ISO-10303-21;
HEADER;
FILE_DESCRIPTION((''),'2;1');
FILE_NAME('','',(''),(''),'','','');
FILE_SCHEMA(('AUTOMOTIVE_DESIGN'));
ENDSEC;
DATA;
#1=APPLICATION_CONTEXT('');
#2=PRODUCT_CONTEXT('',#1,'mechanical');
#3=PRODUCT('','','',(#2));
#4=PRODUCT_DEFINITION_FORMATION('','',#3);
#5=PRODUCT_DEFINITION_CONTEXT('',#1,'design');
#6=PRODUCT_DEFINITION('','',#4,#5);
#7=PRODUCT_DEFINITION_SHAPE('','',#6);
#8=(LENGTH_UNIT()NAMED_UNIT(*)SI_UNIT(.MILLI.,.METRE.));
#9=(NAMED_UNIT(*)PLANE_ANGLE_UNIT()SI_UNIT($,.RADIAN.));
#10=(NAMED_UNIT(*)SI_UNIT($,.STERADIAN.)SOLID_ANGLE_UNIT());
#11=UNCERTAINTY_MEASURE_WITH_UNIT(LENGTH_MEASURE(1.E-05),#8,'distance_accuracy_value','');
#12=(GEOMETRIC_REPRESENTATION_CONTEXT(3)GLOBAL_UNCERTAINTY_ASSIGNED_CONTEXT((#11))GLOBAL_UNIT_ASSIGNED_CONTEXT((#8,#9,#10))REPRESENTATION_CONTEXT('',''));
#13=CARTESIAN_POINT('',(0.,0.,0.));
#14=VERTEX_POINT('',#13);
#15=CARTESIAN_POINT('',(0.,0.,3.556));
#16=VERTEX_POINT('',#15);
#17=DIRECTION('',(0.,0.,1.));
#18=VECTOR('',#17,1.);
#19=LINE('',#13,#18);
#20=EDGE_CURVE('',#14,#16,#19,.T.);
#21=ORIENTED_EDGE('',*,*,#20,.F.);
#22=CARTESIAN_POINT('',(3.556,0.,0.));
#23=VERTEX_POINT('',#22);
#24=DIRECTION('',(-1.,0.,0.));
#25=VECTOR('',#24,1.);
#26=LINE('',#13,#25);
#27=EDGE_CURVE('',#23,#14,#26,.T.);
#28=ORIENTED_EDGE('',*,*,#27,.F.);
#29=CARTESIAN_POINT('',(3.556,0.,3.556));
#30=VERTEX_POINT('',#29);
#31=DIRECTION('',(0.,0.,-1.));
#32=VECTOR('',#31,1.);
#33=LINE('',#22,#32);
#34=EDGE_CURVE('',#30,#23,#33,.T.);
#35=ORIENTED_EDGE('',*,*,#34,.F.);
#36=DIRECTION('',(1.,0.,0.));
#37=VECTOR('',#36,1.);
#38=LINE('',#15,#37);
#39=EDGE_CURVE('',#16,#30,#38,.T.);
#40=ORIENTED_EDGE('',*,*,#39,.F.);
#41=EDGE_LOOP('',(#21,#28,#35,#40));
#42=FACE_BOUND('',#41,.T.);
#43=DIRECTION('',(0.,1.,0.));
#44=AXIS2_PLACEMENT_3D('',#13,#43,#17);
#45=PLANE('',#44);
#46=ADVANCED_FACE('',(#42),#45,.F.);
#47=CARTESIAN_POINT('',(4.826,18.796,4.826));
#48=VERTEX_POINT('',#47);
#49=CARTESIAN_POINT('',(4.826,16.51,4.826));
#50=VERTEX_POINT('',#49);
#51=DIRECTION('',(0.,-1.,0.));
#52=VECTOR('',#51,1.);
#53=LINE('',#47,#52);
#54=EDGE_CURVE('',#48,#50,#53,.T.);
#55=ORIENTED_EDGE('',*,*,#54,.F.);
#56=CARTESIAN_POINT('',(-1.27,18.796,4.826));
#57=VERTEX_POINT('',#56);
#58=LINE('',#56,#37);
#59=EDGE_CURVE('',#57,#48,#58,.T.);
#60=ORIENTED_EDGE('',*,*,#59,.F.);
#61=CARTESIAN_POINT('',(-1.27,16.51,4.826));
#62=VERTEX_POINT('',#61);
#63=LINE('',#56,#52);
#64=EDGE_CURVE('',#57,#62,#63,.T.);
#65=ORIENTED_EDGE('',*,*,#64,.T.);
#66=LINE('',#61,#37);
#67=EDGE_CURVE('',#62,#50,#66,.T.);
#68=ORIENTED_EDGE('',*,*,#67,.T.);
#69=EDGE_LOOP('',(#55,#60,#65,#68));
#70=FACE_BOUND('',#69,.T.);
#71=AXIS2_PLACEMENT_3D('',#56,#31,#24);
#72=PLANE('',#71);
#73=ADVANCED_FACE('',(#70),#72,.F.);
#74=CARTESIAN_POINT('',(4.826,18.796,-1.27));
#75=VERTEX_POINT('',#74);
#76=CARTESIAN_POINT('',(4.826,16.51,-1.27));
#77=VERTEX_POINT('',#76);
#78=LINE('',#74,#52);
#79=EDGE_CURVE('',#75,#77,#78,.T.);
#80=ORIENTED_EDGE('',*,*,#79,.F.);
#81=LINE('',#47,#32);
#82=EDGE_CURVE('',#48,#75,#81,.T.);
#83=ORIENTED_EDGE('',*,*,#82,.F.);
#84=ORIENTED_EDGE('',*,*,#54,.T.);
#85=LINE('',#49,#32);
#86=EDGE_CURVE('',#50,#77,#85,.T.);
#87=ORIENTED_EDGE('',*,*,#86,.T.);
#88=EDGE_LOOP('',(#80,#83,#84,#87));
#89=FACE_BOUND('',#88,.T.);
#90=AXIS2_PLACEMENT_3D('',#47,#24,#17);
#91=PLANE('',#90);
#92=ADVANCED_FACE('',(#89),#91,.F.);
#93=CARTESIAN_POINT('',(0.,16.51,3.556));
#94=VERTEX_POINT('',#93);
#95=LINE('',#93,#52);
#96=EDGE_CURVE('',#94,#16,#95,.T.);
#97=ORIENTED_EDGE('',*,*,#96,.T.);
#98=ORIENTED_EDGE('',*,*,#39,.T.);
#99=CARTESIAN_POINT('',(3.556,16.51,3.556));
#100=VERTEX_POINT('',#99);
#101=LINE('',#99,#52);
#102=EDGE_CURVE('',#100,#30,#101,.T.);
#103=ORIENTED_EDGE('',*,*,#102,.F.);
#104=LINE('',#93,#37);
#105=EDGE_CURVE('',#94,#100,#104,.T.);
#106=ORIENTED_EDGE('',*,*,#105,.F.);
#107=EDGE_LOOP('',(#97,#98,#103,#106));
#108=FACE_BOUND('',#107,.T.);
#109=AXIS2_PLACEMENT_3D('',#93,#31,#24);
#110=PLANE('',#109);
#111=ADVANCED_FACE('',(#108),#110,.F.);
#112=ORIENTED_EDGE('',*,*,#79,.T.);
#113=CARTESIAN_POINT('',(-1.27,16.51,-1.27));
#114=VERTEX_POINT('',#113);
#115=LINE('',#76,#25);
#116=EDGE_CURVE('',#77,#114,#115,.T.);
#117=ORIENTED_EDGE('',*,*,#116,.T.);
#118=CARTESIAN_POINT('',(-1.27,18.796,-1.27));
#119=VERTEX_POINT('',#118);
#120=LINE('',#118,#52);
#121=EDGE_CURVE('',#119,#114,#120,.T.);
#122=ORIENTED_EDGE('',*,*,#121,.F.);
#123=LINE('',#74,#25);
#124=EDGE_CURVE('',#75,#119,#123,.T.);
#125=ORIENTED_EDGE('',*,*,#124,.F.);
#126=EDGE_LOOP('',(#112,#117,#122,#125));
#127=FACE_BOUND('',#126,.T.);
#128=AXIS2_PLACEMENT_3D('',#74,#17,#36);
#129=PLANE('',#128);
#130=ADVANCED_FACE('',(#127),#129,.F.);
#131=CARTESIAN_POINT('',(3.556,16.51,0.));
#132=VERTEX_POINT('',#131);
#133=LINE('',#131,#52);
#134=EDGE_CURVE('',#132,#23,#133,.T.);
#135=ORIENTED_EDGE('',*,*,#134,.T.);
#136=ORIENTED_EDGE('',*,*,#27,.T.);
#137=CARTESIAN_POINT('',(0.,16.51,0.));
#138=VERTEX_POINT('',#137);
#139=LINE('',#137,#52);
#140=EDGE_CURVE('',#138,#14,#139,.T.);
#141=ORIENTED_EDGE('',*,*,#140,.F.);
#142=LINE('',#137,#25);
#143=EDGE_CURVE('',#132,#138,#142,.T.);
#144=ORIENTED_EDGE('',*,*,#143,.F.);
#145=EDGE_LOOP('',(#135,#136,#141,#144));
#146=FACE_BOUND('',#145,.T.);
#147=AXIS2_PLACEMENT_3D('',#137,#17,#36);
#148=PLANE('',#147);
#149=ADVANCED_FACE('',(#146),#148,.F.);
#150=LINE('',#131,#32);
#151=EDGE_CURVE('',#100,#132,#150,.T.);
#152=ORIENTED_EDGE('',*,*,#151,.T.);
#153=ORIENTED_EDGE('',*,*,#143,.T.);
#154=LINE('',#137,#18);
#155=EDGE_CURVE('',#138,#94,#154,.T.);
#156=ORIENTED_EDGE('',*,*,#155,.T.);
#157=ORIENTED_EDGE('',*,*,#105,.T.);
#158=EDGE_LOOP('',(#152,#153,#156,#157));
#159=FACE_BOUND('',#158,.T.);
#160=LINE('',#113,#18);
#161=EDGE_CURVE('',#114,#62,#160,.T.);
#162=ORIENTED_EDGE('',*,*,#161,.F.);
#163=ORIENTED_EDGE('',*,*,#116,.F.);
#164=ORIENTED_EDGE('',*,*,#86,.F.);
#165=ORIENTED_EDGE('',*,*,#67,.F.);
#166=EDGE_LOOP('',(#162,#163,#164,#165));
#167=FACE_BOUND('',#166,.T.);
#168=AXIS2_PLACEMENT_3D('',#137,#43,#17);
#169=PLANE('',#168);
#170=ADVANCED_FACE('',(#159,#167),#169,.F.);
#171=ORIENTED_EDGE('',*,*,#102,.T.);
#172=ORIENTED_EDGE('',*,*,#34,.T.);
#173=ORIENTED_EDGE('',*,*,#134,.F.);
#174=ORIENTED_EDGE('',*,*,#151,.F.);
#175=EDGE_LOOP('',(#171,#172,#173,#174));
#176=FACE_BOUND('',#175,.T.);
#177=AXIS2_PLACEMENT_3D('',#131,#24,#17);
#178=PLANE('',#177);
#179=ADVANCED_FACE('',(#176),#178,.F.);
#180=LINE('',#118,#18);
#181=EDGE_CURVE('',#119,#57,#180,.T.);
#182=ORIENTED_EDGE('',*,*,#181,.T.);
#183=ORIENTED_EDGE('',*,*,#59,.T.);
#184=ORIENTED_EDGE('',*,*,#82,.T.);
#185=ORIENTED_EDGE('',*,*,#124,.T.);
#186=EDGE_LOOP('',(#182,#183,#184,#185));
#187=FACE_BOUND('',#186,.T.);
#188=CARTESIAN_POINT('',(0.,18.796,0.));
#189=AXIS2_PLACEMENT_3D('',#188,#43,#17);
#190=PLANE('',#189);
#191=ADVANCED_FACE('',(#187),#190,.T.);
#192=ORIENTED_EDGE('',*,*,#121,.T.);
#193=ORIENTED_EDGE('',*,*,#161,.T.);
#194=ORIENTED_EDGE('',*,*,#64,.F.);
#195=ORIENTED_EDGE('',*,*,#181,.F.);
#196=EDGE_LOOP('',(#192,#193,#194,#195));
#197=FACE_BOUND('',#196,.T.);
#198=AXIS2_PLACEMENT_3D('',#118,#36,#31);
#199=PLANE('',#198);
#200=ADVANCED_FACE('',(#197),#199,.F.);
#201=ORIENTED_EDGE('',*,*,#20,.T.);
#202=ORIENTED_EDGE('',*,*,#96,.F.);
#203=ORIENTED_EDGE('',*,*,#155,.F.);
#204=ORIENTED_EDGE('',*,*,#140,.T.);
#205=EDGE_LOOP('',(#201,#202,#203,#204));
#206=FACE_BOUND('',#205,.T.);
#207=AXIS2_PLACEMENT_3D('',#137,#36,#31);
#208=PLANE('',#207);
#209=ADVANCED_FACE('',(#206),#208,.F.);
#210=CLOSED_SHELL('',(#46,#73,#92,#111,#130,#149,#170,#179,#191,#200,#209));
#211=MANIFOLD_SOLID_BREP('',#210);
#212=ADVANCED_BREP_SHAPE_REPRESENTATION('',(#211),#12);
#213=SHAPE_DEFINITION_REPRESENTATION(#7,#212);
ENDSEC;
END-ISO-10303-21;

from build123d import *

# Parameters (mm, degrees)
SKETCH1_W           = 3.556
SKETCH1_H           = 3.556
BOSS_EXTRUDE1_DEPTH = 16.51
SKETCH2_W           = 6.096
SKETCH2_H           = 6.096
BOSS_EXTRUDE2_DEPTH = 2.286


with BuildPart() as part:
    # Sketch1 → Boss-Extrude1 (new body)
    with BuildSketch(Plane(origin=(0, 0, 0), x_dir=(1, 0, 0), z_dir=(0, 1, 0))):
        with Locations((1.778, -1.778)):
            Rectangle(SKETCH1_W, SKETCH1_H)
    extrude(amount=BOSS_EXTRUDE1_DEPTH)

    # Sketch2 → Boss-Extrude2 (add)
    with BuildSketch(Plane(origin=(0, 16.51, 0), x_dir=(1, 0, 0), z_dir=(0, 1, 0))):
        with Locations((1.778, -1.778)):
            Rectangle(SKETCH2_W, SKETCH2_H)
    extrude(amount=BOSS_EXTRUDE2_DEPTH)


solid = part.part
